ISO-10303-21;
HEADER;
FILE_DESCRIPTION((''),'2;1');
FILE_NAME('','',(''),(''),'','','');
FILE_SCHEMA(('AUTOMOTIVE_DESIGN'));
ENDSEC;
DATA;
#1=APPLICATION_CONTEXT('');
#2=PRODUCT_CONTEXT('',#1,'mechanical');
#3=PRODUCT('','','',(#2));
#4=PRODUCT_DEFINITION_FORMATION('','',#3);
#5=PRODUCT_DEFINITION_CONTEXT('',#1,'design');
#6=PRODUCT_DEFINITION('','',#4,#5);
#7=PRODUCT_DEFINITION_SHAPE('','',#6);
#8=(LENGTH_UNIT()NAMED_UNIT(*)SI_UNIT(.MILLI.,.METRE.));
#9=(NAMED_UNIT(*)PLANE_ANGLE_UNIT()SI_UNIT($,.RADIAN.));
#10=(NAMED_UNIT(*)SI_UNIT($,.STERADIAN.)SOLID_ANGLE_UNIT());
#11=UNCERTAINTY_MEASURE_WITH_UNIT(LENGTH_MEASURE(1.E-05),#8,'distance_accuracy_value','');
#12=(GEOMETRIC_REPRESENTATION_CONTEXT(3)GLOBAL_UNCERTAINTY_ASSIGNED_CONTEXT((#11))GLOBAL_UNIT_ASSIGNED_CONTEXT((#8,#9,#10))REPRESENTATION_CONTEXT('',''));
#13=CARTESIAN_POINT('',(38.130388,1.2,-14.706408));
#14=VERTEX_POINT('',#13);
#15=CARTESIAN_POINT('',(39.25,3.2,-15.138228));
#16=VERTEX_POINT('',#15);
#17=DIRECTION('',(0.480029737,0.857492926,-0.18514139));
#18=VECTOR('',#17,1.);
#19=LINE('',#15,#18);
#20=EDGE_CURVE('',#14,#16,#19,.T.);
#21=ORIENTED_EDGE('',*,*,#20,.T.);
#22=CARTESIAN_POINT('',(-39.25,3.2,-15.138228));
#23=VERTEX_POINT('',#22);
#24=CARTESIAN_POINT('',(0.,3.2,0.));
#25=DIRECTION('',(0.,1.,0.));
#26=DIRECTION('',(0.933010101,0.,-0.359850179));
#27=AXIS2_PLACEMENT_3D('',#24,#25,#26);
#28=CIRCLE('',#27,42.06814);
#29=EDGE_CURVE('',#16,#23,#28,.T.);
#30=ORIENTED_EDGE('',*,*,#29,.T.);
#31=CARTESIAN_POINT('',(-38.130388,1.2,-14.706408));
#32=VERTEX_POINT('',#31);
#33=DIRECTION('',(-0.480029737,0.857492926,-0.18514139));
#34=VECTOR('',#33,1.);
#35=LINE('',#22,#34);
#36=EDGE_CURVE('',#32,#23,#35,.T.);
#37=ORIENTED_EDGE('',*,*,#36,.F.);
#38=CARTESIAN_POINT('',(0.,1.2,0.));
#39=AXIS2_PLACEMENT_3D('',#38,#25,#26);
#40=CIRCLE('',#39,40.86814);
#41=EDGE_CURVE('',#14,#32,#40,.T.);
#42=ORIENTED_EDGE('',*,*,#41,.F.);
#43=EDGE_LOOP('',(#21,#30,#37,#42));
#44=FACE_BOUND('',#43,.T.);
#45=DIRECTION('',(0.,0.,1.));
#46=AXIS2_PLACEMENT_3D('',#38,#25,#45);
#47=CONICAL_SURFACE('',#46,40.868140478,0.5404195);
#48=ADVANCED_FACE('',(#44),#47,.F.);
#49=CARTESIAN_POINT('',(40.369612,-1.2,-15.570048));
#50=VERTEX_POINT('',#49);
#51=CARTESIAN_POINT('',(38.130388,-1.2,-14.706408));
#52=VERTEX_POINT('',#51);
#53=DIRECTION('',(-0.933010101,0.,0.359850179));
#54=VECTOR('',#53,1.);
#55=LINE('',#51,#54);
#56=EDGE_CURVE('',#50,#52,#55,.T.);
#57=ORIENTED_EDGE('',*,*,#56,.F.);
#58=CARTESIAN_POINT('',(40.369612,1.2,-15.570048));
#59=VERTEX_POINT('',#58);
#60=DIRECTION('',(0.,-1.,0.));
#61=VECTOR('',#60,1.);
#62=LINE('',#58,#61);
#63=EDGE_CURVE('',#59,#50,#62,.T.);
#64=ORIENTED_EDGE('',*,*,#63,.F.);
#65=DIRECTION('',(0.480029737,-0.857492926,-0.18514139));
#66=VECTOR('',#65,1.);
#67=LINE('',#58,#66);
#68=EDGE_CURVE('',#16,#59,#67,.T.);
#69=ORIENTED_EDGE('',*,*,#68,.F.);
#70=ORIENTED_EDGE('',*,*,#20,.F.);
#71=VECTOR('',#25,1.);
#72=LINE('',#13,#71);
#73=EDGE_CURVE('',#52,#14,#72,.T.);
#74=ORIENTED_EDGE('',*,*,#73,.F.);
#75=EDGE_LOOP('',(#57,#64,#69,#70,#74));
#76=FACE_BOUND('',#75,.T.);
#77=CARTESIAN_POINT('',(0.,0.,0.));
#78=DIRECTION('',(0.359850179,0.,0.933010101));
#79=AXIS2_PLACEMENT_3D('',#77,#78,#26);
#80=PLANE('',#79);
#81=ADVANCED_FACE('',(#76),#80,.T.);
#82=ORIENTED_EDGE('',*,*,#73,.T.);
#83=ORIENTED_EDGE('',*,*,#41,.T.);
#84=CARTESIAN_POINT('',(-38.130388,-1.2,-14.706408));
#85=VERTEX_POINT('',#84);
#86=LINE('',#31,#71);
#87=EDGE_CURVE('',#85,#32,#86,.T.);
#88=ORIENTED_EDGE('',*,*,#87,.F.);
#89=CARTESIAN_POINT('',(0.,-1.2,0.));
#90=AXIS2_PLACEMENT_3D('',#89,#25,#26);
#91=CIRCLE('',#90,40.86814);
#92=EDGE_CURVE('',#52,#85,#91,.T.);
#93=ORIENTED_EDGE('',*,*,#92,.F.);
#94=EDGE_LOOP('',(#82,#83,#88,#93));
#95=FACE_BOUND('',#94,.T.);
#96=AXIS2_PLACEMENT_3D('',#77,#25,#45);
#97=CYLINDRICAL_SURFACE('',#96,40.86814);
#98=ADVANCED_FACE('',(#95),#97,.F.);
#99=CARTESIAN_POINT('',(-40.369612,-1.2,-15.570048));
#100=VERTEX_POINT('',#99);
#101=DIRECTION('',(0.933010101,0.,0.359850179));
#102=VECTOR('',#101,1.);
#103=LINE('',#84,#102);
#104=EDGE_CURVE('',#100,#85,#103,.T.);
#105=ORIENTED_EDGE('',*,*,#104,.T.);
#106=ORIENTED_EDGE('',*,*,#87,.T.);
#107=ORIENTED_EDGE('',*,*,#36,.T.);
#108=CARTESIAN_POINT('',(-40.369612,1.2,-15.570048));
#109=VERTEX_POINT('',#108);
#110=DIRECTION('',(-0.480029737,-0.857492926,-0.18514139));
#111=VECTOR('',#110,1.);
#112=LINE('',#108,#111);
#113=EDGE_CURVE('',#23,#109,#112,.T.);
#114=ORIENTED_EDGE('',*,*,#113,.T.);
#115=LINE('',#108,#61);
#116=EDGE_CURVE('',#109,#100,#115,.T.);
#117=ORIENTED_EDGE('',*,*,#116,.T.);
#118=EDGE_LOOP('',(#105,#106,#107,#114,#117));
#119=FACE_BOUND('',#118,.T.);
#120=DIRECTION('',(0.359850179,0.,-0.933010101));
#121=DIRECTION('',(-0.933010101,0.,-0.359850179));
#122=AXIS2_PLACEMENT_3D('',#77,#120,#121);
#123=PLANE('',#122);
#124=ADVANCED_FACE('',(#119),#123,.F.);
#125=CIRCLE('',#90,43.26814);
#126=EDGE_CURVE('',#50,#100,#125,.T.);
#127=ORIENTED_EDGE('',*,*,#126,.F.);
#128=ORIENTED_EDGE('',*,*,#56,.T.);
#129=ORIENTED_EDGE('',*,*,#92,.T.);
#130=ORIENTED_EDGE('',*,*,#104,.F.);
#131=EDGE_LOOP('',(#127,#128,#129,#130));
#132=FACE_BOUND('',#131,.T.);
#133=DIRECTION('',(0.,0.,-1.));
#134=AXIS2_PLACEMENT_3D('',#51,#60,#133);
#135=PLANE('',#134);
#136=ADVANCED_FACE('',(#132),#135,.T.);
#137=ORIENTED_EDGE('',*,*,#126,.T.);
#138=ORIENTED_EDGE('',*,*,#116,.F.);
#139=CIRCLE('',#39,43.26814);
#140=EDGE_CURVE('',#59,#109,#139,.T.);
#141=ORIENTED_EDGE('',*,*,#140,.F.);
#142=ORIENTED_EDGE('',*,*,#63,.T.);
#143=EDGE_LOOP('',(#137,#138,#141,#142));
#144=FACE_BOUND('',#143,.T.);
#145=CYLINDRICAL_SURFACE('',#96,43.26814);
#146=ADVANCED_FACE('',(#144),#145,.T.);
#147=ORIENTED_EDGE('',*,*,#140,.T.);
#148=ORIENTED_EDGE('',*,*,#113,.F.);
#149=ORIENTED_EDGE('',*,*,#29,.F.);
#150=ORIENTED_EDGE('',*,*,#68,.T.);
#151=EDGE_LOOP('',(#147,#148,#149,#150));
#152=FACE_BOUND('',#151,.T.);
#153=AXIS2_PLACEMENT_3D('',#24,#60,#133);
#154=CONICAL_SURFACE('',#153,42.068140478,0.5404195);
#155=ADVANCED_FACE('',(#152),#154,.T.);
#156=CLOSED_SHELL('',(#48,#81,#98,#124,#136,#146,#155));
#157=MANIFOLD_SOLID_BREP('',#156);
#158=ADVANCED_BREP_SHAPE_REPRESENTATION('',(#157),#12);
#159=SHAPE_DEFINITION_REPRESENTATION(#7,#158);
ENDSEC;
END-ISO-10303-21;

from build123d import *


with BuildPart() as part:
    # Sweep1: sweep along a path in PropShadow
    with BuildLine(Plane(origin=(0, 0, 0), x_dir=(1, 0, 0), z_dir=(0, 1, 0))) as sweep1_path:
        ThreePointArc((39.25, 15.138227876), (0, 42.068140478), (-39.25, 15.138227876))
    # Sketch4 → Sweep1 (sweep)
    with BuildSketch(Plane(origin=(0, 0, 0), x_dir=(0.9330101010986988, 0, 0.3598501788908768), z_dir=(-0.3598501788908768, 0, 0.9330101010986988))):
        Polygon((-43.268140478, 1.2), (-42.068140478, 3.2), (-40.868140478, 1.2), (-40.868140478, -1.2), (-43.268140478, -1.2), align=None)
    sweep(path=sweep1_path.line)


solid = part.part
